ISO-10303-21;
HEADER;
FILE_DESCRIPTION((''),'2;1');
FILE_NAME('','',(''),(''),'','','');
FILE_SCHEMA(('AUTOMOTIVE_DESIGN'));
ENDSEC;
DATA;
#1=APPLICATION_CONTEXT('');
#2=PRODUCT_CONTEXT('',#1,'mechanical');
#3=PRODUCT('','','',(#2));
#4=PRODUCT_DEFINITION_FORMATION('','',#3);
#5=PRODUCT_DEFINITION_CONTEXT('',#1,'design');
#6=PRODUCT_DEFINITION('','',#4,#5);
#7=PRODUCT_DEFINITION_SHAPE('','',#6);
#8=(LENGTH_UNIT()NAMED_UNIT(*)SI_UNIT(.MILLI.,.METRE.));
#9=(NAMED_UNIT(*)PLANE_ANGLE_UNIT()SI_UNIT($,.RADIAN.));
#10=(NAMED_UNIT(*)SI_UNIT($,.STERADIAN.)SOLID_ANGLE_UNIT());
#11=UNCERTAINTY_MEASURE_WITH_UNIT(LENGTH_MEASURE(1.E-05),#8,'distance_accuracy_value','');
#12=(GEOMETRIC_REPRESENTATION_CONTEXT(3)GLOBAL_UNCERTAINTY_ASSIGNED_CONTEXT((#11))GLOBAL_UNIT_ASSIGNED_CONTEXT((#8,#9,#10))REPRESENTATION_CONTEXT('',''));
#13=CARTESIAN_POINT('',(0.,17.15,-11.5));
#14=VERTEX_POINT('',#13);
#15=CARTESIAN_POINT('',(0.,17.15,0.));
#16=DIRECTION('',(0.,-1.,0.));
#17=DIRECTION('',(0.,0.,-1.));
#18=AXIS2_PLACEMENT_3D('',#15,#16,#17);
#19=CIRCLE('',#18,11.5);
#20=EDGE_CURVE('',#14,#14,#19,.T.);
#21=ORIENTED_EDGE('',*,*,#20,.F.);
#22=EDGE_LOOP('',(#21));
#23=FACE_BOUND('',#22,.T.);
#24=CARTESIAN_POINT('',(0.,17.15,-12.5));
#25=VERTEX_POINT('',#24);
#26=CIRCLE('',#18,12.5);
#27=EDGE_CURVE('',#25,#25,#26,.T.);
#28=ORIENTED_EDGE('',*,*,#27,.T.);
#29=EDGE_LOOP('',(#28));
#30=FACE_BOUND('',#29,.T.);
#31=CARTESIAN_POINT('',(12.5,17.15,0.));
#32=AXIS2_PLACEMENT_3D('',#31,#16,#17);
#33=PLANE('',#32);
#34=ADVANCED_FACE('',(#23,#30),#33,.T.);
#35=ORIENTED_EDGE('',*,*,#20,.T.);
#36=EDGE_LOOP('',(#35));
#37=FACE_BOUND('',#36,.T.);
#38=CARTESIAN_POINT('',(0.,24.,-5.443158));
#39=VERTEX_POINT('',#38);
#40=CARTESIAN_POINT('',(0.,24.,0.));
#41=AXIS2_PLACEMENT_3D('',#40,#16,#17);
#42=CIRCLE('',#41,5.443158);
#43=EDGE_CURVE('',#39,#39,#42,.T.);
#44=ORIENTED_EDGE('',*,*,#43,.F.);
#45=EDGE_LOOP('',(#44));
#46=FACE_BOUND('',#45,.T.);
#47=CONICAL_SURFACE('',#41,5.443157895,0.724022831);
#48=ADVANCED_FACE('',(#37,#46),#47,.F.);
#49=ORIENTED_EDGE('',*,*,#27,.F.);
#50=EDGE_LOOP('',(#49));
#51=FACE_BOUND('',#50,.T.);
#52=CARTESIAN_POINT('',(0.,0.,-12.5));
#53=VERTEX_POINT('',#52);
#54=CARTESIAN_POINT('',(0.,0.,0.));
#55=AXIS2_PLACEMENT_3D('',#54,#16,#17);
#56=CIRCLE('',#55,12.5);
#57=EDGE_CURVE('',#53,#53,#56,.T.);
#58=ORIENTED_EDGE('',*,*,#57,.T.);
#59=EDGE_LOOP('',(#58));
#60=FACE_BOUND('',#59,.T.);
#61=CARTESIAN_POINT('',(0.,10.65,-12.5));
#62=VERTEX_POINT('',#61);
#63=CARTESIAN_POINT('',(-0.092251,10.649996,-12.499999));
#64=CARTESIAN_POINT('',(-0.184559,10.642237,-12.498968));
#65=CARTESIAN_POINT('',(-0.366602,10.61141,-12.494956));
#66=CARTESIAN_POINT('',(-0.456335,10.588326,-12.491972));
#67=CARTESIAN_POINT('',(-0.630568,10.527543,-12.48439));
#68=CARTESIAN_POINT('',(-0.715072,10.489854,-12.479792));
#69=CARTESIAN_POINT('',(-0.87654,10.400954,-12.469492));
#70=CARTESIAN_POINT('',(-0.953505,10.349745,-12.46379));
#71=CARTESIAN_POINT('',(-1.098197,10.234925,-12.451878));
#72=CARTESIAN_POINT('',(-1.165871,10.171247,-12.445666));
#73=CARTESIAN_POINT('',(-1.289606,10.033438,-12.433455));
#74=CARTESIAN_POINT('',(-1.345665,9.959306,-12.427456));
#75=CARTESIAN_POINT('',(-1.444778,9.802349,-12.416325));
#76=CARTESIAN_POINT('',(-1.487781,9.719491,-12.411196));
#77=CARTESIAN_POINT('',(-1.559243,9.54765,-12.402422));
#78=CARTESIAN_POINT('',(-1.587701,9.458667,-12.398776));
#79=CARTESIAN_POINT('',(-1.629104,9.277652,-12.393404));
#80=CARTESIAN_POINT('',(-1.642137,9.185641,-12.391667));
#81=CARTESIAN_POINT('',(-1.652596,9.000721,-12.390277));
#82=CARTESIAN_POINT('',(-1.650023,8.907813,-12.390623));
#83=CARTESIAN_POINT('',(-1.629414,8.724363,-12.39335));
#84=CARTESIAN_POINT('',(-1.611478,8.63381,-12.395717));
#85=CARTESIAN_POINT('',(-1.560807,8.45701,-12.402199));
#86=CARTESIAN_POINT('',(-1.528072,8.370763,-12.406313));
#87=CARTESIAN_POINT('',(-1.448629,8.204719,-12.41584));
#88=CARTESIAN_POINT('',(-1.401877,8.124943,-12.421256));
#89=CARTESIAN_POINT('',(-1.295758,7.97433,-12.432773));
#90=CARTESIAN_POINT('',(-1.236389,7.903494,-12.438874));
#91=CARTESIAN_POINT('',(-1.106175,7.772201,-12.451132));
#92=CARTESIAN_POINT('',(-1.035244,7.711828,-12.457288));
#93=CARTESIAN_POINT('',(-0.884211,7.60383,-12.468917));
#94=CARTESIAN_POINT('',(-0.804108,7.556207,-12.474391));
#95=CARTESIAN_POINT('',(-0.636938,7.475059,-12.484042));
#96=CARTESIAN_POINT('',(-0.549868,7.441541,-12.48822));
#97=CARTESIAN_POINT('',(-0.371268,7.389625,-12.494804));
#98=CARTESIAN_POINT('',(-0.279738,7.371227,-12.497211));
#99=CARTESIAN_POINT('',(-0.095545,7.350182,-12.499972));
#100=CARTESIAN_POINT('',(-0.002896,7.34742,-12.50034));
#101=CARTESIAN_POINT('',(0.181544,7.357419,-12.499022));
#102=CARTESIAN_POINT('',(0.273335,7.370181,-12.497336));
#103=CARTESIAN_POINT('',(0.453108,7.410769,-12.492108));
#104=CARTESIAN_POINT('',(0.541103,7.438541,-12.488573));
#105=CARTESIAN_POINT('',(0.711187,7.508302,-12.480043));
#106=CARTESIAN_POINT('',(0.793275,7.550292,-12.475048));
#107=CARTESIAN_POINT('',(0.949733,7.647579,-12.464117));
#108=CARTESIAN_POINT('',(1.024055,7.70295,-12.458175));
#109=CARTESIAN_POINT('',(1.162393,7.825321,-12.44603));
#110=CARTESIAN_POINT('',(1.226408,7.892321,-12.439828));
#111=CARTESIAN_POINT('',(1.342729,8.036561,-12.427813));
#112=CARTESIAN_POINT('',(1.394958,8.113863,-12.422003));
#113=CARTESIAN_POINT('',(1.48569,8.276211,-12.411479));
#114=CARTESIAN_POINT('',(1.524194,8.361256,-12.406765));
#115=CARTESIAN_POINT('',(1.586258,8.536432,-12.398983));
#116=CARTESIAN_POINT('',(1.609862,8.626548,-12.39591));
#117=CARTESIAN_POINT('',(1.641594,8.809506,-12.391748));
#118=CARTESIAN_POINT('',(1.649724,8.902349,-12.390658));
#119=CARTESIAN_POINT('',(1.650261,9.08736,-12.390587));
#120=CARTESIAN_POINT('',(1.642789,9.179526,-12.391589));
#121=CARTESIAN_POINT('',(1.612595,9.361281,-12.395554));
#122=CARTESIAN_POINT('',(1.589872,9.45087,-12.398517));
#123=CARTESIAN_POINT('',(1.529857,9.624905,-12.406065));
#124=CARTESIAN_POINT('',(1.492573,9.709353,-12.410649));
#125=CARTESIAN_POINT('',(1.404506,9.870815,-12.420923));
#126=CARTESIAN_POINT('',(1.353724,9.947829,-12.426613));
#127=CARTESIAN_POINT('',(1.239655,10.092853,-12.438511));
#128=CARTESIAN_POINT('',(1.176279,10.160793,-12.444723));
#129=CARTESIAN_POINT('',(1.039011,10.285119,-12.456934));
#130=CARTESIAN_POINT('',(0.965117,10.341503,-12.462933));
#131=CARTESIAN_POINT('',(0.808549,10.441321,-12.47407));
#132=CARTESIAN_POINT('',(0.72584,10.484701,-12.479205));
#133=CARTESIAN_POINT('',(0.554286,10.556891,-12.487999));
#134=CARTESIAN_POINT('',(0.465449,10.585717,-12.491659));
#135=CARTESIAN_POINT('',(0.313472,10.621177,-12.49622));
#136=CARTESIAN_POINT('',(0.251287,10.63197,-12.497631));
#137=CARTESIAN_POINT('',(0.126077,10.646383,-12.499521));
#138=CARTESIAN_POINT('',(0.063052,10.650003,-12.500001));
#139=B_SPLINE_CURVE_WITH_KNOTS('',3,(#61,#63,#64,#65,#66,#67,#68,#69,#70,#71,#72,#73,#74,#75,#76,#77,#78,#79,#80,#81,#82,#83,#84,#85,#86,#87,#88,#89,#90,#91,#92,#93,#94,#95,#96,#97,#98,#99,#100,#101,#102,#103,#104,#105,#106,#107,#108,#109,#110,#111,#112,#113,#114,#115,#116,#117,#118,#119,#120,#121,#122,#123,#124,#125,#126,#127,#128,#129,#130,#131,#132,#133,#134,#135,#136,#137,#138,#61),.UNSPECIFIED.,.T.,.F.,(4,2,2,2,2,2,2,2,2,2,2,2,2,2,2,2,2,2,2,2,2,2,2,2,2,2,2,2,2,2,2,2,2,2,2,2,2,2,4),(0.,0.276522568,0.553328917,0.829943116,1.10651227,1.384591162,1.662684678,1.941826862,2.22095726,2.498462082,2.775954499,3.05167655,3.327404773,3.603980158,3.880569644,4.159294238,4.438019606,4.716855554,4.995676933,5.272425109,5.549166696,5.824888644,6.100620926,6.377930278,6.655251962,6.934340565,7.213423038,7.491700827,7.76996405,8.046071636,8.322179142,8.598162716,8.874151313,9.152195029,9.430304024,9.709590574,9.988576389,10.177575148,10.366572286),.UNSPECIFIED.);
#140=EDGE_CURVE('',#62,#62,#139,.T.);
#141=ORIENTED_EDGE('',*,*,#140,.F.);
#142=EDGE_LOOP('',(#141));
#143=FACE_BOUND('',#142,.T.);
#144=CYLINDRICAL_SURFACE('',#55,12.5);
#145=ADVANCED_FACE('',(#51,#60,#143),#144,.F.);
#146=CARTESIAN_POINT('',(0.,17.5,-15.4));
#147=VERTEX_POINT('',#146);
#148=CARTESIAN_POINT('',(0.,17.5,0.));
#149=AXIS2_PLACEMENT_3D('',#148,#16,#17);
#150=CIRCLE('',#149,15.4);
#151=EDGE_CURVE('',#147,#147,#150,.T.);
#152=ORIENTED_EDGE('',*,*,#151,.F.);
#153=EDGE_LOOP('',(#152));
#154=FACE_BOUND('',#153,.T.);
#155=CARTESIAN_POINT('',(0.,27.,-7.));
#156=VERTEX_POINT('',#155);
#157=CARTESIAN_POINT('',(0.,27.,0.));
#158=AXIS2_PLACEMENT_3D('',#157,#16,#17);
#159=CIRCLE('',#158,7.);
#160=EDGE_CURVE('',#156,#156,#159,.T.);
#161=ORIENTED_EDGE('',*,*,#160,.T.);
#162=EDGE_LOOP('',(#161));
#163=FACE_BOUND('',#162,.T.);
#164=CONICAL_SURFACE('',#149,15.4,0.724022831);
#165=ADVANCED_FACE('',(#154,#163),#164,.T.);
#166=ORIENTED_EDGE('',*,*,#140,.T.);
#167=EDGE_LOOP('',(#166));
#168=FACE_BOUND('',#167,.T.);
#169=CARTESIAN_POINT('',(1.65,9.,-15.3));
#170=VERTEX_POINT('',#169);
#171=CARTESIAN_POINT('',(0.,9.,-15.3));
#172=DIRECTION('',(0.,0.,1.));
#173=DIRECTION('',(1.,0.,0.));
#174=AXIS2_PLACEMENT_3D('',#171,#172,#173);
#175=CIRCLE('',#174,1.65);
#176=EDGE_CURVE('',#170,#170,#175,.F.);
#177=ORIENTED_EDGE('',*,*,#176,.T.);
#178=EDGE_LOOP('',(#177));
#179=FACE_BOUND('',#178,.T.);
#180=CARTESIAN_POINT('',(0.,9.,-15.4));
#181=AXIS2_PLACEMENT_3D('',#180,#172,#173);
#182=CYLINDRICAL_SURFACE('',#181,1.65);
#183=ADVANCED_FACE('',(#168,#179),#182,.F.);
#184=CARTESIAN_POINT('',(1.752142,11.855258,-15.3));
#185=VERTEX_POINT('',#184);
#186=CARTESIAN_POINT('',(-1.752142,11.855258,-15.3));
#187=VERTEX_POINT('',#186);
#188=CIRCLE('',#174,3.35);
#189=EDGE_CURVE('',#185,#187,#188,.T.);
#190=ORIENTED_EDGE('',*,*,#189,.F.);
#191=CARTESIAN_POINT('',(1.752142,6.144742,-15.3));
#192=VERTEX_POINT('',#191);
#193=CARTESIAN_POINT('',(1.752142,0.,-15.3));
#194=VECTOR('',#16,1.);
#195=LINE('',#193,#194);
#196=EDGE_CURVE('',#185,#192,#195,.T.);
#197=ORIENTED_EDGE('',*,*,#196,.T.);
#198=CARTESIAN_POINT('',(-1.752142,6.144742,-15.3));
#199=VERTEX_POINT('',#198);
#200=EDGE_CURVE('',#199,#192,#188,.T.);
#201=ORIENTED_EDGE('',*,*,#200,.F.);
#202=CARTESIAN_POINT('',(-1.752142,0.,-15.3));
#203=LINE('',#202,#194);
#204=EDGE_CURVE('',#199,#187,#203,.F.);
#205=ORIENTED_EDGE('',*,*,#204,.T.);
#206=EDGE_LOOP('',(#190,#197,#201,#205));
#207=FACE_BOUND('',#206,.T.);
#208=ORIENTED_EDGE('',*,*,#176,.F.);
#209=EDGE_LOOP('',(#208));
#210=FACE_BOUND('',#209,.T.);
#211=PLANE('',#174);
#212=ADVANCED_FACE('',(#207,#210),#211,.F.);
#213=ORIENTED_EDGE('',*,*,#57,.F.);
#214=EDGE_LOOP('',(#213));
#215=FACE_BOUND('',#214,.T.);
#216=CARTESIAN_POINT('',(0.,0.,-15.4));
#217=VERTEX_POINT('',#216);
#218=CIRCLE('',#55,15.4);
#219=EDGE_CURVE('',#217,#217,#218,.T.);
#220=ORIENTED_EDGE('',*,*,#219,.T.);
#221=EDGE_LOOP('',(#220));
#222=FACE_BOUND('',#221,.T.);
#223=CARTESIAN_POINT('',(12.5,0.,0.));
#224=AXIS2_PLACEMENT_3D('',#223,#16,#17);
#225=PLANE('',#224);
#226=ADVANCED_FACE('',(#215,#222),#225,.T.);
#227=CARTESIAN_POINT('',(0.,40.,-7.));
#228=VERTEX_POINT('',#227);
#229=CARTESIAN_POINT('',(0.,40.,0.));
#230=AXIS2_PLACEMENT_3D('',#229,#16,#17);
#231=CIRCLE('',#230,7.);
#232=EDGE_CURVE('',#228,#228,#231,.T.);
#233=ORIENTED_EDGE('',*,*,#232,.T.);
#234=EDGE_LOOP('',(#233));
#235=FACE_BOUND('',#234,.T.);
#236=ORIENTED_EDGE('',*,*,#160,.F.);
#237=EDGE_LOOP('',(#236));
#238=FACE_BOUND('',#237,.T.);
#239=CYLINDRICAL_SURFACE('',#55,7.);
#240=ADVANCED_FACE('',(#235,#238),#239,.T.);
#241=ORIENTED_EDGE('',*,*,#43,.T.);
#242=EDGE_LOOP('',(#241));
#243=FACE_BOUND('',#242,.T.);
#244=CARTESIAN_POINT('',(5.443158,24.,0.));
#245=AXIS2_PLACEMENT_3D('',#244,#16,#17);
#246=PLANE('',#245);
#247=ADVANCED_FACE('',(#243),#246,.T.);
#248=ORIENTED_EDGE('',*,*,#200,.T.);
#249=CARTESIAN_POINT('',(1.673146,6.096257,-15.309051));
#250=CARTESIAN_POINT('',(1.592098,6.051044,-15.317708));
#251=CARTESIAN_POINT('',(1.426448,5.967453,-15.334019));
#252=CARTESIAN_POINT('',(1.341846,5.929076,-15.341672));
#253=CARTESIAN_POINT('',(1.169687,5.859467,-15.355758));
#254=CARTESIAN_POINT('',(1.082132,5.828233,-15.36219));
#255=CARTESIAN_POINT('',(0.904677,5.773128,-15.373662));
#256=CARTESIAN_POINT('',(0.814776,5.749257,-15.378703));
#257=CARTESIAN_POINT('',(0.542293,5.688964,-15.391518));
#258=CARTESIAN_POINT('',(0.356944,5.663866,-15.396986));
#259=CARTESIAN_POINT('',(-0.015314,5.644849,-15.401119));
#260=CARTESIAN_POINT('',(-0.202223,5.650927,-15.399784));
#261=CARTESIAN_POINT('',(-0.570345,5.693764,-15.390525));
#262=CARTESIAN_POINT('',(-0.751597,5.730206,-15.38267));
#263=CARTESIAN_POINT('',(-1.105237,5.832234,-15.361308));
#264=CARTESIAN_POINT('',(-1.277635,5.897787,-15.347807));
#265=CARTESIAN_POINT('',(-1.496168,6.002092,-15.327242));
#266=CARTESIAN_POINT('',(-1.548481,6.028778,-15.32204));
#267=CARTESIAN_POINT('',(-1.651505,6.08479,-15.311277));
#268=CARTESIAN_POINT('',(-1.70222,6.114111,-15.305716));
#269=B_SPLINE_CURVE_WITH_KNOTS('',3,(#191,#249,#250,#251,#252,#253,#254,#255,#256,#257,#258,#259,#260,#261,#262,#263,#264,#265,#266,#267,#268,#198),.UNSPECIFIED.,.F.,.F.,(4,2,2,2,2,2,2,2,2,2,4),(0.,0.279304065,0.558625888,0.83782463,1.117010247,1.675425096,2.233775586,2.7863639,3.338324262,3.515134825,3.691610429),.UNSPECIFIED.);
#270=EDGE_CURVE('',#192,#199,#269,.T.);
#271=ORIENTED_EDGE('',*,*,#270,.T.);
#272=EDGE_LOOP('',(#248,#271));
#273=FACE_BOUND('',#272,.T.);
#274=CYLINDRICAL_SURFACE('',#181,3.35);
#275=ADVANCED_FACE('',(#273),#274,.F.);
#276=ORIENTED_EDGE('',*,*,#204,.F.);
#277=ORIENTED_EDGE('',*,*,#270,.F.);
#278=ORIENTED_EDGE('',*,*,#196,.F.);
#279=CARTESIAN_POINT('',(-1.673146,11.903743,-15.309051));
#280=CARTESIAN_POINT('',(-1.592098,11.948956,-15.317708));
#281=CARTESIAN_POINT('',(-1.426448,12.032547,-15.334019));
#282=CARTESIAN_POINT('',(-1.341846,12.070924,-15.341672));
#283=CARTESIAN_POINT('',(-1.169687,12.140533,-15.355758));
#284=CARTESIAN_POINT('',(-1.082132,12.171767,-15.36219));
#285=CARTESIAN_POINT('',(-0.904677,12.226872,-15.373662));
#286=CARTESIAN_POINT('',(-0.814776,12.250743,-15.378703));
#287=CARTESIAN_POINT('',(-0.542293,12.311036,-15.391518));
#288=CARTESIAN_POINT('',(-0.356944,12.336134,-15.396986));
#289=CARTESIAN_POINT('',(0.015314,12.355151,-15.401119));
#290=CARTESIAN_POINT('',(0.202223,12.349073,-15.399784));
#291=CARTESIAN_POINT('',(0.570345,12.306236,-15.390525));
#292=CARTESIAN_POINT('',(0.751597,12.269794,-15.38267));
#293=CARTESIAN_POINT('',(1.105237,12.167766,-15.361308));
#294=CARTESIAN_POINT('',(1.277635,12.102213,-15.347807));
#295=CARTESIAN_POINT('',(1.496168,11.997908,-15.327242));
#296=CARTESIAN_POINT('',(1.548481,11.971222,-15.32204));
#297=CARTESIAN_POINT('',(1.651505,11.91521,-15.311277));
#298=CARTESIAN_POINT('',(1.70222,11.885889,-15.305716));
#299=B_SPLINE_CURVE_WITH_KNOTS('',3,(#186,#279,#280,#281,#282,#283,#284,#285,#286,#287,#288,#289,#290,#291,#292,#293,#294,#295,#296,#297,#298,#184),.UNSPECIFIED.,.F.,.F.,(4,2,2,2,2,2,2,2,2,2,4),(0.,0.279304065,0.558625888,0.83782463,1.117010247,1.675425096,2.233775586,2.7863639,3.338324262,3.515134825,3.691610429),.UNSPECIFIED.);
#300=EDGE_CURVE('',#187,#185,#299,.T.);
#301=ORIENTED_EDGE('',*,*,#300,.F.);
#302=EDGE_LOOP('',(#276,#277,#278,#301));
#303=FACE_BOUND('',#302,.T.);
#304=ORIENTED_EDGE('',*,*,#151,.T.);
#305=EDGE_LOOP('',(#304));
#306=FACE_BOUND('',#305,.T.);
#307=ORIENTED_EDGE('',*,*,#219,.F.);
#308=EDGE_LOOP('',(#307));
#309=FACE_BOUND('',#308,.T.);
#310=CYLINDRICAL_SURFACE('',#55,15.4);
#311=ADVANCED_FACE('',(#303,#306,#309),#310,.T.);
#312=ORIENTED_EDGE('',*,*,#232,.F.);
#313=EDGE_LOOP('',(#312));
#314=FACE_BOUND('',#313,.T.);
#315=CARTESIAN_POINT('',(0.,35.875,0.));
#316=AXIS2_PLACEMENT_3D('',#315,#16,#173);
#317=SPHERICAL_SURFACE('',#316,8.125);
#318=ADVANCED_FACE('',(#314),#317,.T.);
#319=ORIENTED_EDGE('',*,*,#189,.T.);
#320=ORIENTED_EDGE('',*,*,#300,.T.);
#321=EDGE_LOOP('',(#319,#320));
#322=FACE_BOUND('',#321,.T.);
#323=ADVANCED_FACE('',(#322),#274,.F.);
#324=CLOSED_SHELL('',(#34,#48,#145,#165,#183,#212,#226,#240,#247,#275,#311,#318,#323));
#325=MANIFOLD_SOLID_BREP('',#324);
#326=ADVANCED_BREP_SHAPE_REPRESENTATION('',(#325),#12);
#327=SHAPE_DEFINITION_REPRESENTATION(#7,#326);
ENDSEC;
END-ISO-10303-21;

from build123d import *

# Parameters (mm, degrees)
ESQUISSE2_R             = 1.65
ENL_V_MAT_EXTRU_1_DEPTH = 50.09500993
ESQUISSE3_R             = 3.35
ENL_V_MAT_EXTRU_2_DEPTH = 56.81800793


with BuildPart() as part:
    # Esquisse1 → Révolution1 (revolve)
    with BuildSketch(Plane.XY, mode=Mode.PRIVATE) as r_volution1_sk:
        with BuildLine():
            Line((12.5, 0), (15.4, 0))
            Line((15.4, 0), (15.4, 17.5))
            Line((15.4, 17.5), (7, 27))
            Line((7, 27), (7, 40))
            ThreePointArc((7, 40), (4.031128874, 42.92947553), (0, 44))
            Line((0, 44), (0, 24))
            Line((0, 24), (5.443157895, 24))
            Line((5.443157895, 24), (11.5, 17.15))
            Line((11.5, 17.15), (12.5, 17.15))
            Line((12.5, 17.15), (12.5, 0))
        make_face()
    revolve(r_volution1_sk.sketch.rotate(Axis((0, 0, 0), (0, 1, 0)), 90), axis=Axis((0, 0, 0), (0, 1, 0)))

    # Esquisse2 → Enlèv. mat.-Extru.1 (cut, through all)
    with BuildSketch(Plane.XY):
        with Locations(Location((0, 9, 0), (0, 0, 90))):
            Circle(ESQUISSE2_R)
    extrude(amount=-ENL_V_MAT_EXTRU_1_DEPTH, mode=Mode.SUBTRACT)

    # Esquisse3 → Enlèv. mat.-Extru.2 (cut, through all)
    with BuildSketch(Plane.XY.offset(-15.3)):
        with Locations((0, 9)):
            Circle(ESQUISSE3_R)
    extrude(amount=-ENL_V_MAT_EXTRU_2_DEPTH, mode=Mode.SUBTRACT)


solid = part.part
